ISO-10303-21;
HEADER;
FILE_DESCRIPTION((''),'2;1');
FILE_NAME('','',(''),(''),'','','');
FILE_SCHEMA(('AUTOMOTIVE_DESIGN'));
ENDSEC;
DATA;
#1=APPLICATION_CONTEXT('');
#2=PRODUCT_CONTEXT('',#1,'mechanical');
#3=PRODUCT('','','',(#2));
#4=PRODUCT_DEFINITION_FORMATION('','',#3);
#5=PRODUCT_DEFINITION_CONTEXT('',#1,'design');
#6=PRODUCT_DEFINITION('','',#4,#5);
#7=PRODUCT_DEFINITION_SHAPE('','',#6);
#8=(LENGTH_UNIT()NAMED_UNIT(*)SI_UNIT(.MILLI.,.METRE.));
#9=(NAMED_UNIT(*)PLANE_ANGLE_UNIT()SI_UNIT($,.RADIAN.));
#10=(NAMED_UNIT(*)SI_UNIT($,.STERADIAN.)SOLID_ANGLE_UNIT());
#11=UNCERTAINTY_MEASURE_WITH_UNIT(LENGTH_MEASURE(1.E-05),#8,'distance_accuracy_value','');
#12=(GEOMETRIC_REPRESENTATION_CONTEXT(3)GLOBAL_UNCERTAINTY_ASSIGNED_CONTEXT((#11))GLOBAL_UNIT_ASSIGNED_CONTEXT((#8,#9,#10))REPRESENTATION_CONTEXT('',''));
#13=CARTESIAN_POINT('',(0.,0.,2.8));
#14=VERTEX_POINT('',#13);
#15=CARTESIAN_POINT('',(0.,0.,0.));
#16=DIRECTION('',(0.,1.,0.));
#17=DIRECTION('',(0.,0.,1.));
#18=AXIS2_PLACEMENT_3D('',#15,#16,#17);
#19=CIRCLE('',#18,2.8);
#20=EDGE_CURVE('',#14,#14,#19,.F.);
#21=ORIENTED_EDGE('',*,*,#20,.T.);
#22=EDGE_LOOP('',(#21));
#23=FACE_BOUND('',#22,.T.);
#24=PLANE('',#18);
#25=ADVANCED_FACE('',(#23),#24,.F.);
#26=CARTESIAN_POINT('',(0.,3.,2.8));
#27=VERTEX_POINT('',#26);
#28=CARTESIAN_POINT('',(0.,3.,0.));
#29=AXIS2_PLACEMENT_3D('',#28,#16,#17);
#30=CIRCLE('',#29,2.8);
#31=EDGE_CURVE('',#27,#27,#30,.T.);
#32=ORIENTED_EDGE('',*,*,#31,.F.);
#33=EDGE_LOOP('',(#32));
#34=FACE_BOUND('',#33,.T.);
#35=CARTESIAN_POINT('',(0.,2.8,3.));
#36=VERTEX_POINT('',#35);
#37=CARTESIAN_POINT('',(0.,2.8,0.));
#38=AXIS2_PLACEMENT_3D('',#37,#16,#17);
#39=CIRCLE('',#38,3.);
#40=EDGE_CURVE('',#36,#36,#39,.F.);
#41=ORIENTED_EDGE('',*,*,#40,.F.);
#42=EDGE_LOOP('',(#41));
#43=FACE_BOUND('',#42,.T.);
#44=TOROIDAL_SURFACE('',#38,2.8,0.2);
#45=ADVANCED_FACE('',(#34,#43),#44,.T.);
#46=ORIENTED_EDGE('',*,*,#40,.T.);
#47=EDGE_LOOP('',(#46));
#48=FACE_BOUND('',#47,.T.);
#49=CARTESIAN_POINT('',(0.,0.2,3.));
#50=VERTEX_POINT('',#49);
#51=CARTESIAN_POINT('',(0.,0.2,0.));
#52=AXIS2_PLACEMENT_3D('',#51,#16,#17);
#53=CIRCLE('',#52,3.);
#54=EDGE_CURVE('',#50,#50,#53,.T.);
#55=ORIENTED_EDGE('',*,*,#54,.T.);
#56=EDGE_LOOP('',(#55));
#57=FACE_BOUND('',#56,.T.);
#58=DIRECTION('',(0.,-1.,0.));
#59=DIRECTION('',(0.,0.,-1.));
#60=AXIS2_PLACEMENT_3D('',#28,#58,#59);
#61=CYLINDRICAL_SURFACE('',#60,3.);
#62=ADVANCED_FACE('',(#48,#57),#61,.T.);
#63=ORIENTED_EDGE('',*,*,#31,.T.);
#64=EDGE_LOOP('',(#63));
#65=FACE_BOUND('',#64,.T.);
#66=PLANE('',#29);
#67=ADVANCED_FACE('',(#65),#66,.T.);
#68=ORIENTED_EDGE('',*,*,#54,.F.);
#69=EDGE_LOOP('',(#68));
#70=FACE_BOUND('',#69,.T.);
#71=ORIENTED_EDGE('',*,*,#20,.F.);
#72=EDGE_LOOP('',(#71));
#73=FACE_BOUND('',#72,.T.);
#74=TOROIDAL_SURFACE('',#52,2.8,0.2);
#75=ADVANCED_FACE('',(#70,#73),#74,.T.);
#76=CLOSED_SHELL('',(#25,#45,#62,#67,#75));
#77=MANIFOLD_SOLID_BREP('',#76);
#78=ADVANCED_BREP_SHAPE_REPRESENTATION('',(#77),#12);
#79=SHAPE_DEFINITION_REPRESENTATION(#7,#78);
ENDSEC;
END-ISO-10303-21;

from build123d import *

# Parameters (mm, degrees)
SKETCH1_R           = 3
BOSS_EXTRUDE1_DEPTH = 3
FILLET1_R           = 0.2


with BuildPart() as part:
    # Sketch1 → Boss-Extrude1 (new body)
    with BuildSketch(Plane(origin=(0, 0, 0), x_dir=(1, 0, 0), z_dir=(0, 1, 0))):
        Circle(SKETCH1_R)
    extrude(amount=BOSS_EXTRUDE1_DEPTH)

    # Fillet1
    fillet1_edges = [part.edges().sort_by_distance(p)[0] for p in [
        (-3, 0, 0),
        (-3, 3, 0),
    ]]
    fillet(fillet1_edges, radius=FILLET1_R)


solid = part.part
